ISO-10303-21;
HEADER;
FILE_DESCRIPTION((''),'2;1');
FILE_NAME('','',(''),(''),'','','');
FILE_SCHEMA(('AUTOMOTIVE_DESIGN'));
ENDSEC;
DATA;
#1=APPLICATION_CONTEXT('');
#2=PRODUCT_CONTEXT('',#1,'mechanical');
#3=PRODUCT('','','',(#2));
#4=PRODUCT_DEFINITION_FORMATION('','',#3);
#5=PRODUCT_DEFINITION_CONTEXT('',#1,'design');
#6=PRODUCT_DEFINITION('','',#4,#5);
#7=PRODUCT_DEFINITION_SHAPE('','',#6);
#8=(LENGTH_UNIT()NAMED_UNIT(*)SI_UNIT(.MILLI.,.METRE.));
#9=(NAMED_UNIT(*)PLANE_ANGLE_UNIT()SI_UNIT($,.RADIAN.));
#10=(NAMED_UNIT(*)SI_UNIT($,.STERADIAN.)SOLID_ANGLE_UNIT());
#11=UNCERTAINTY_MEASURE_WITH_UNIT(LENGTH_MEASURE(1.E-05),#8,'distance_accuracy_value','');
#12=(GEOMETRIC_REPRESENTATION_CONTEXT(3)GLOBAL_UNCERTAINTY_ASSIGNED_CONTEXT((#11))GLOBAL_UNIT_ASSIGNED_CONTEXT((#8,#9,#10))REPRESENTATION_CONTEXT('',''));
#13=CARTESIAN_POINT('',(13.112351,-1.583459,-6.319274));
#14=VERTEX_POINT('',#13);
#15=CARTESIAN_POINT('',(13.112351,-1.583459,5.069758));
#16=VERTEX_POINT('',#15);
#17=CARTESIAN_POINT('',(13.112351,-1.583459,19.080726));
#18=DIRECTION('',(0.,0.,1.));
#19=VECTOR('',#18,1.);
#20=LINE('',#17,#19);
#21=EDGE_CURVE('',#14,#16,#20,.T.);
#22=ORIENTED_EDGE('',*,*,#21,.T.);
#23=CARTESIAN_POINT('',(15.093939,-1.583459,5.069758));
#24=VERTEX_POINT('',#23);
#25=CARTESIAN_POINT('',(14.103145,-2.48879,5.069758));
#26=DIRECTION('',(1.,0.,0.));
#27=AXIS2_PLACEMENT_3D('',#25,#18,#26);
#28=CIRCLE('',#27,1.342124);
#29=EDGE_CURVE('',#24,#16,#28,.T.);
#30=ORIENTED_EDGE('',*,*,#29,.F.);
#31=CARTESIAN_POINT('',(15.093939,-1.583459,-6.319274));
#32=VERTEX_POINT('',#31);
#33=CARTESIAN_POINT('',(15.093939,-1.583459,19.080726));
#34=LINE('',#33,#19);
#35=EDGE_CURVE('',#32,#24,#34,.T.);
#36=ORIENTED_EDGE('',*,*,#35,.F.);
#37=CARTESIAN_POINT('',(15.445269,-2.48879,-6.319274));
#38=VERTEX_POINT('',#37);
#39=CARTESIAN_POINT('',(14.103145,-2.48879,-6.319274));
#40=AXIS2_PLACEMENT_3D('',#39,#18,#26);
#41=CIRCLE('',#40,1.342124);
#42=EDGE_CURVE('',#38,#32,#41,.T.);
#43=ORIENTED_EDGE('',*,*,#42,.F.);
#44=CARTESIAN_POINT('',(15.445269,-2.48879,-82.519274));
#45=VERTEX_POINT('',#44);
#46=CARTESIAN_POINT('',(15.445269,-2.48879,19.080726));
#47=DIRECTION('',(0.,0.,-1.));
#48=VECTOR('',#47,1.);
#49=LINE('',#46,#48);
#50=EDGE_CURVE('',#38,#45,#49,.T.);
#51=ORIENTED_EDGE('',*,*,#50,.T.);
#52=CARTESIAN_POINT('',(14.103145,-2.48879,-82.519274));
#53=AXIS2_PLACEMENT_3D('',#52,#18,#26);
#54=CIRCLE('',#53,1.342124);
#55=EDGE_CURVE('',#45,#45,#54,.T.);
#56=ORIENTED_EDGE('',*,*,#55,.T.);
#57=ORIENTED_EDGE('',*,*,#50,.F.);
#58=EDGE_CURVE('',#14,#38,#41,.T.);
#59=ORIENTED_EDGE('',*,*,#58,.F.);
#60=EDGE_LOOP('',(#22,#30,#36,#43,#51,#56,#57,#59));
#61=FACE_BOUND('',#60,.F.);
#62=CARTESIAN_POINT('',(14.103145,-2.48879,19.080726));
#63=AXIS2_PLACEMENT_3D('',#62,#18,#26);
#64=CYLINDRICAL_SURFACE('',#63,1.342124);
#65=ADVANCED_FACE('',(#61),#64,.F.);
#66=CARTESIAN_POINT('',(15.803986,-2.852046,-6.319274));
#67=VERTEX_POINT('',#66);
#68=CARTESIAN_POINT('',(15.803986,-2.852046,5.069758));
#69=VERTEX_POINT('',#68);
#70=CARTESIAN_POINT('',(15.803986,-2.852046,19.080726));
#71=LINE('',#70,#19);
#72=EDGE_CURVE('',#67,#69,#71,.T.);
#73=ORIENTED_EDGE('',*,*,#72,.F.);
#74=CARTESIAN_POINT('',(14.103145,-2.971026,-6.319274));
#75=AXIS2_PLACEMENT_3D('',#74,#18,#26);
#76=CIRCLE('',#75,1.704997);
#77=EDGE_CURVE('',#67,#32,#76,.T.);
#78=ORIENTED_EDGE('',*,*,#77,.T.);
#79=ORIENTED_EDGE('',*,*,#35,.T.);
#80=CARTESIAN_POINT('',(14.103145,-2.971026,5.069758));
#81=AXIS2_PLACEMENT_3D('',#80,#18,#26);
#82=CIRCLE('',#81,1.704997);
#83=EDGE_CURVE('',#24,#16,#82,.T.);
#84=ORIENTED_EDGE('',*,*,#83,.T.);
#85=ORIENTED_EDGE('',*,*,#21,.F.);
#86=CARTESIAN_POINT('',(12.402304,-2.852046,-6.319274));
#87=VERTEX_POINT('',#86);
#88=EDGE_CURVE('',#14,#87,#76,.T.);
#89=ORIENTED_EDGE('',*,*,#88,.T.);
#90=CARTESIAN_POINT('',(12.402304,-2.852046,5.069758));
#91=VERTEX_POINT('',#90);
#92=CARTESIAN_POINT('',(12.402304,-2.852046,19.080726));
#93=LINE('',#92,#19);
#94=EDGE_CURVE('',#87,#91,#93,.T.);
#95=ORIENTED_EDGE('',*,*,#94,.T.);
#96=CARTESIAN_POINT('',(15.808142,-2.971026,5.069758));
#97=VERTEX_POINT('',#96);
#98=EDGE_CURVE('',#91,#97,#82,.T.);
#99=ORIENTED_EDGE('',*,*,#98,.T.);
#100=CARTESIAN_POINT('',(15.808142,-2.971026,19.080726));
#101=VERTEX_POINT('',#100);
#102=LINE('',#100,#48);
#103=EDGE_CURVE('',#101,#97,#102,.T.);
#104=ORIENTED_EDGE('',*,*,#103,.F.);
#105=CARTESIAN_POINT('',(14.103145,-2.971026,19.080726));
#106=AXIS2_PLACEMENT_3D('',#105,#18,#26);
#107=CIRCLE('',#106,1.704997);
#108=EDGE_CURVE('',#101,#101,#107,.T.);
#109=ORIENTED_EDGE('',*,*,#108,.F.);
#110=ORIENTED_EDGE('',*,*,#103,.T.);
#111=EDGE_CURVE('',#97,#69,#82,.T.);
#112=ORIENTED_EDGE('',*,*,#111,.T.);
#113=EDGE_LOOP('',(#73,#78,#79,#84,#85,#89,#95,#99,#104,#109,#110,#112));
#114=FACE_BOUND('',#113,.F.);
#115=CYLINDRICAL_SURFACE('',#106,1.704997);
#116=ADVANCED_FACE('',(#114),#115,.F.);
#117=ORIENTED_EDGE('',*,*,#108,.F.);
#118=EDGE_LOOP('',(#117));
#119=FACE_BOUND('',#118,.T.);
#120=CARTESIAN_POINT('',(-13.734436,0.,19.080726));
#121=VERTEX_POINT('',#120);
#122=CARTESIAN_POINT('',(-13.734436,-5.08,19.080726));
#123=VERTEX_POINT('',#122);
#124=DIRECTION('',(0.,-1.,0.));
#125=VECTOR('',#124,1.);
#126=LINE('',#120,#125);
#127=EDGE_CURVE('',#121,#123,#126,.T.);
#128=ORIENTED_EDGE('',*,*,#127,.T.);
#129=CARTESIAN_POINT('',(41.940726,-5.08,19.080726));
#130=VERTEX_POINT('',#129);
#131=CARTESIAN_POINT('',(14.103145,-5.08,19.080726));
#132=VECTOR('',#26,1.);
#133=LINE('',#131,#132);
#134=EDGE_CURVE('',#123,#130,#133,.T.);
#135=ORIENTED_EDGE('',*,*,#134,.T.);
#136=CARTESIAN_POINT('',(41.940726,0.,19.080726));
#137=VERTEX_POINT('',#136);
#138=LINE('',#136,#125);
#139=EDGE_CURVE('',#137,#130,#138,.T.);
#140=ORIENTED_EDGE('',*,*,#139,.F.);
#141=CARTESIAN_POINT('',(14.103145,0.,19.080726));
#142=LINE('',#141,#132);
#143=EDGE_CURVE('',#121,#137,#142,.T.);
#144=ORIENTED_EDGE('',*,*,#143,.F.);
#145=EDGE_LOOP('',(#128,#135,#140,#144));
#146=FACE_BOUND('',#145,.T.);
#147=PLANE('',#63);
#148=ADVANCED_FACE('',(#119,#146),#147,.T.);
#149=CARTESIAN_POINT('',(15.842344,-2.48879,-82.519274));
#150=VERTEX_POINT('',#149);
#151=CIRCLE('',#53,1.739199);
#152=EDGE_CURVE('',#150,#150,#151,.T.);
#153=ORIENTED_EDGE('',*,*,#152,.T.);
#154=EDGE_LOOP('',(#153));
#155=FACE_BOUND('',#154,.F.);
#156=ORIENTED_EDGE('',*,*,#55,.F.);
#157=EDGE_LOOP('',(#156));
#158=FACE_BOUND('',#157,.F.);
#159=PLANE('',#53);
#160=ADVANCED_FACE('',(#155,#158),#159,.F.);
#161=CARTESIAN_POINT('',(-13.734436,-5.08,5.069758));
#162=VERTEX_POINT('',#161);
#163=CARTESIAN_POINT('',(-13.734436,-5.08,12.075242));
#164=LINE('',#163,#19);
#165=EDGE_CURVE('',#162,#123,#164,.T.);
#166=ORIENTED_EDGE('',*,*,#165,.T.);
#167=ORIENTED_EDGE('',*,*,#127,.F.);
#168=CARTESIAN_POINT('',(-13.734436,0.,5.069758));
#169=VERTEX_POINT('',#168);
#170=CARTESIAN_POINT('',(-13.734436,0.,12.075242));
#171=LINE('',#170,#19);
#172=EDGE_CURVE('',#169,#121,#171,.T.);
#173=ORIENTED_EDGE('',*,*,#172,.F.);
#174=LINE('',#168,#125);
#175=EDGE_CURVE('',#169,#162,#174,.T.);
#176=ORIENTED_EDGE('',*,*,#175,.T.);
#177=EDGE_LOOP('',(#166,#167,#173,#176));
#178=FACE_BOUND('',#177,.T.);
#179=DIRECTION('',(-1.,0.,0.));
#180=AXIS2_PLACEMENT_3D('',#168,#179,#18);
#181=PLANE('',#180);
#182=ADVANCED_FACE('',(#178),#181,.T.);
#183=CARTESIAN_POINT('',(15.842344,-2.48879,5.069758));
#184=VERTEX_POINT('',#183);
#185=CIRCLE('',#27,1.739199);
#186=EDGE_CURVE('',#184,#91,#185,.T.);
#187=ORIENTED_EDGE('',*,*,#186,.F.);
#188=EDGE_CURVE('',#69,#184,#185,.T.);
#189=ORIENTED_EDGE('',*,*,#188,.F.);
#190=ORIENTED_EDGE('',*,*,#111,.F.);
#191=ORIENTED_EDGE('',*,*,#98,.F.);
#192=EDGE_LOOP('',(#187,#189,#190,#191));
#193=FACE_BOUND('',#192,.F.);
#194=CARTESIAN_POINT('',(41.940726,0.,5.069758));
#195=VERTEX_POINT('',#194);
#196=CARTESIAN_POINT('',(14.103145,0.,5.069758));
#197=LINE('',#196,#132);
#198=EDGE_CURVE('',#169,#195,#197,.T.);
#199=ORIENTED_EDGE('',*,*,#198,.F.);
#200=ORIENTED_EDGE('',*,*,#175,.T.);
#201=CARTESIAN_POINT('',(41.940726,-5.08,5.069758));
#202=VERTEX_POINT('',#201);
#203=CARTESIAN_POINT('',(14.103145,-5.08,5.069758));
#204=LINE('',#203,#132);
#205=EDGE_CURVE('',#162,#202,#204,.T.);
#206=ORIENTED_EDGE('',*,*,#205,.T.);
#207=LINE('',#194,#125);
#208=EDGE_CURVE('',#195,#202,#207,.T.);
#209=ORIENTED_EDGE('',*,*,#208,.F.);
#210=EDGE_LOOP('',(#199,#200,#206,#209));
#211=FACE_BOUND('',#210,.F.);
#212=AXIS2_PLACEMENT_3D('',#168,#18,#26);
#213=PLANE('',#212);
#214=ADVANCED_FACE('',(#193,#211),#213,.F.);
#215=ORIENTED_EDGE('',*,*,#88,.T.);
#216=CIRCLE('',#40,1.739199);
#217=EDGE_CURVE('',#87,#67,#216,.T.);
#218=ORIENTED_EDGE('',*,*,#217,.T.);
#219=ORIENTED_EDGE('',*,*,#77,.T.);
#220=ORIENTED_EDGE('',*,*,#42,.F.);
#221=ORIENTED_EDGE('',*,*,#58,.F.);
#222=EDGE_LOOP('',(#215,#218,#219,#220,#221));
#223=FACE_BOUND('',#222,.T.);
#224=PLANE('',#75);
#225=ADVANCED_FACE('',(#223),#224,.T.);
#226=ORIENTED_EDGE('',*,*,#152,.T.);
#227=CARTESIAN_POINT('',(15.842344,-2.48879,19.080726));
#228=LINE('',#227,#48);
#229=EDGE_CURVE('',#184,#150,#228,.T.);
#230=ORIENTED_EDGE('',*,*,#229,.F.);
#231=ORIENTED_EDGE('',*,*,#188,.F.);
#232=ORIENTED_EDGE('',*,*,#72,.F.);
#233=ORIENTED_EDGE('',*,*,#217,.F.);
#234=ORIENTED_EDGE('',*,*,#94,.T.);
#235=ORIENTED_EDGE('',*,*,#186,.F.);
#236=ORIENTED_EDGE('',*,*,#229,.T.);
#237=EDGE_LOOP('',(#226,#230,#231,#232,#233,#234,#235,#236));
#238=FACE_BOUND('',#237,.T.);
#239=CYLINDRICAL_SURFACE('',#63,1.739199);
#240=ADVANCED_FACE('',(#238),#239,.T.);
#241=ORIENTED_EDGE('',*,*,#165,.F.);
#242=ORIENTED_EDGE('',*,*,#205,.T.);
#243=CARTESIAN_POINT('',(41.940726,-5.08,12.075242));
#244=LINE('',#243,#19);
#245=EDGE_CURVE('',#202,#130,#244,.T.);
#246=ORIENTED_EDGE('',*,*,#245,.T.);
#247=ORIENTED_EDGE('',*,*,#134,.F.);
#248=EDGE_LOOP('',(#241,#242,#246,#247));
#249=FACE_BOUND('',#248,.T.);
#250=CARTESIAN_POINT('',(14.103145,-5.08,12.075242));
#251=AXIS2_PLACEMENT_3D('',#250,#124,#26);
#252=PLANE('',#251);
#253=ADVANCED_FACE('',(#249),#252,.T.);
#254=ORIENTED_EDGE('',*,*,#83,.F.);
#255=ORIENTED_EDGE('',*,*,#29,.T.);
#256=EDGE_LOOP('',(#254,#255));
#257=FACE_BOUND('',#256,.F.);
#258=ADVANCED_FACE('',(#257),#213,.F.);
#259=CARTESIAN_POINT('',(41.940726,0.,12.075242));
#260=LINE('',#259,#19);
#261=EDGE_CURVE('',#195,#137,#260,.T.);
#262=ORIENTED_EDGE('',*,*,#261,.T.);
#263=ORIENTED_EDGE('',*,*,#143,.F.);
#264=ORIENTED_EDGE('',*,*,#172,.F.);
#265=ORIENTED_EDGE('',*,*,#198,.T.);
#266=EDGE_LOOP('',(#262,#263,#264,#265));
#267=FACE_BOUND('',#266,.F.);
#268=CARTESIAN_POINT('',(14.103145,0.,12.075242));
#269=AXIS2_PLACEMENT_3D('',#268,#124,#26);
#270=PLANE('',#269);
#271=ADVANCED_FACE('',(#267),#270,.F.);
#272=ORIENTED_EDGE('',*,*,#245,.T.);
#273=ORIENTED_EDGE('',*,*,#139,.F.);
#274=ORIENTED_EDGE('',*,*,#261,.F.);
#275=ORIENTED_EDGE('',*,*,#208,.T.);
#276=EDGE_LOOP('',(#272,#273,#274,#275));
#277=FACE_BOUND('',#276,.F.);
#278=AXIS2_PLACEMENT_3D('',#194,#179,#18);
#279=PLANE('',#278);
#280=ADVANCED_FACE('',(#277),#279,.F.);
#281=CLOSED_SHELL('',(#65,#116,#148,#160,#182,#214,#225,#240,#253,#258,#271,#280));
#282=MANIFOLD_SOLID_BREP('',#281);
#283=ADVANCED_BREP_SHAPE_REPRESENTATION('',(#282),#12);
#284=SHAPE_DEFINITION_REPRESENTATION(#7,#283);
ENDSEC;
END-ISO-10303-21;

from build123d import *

# Parameters (mm, degrees)
F0_W     = 55.675162
F0_H     = 14.010968
F1_DEPTH = 5.08
F2_R     = 1.739199
F2_R_2   = 1.342124
F3_DEPTH = 101.6
F4_R     = 1.704997
F5_DEPTH = 25.4


with BuildPart() as f1:
    # F0 (on Front) → F1 (new body)
    with BuildSketch(Plane.XZ):
        with Locations((14.103145, 12.075242)):
            Rectangle(F0_W, F0_H)
    extrude(amount=F1_DEPTH)

    # F2 (on face) → F3 (join)
    with BuildSketch(Plane.XY.offset(19.080726)):
        with Locations((14.103145, -2.48879)):
            Circle(F2_R)
        with Locations((14.103145, -2.48879)):
            Circle(F2_R_2, mode=Mode.SUBTRACT)
    extrude(amount=-F3_DEPTH)

    # F4 (on face) → F5 (cut)
    with BuildSketch(Plane.XY.offset(19.080726)):
        with Locations((14.103145, -2.971026)):
            Circle(F4_R)
    extrude(amount=-F5_DEPTH, mode=Mode.SUBTRACT)


solid = f1.part
